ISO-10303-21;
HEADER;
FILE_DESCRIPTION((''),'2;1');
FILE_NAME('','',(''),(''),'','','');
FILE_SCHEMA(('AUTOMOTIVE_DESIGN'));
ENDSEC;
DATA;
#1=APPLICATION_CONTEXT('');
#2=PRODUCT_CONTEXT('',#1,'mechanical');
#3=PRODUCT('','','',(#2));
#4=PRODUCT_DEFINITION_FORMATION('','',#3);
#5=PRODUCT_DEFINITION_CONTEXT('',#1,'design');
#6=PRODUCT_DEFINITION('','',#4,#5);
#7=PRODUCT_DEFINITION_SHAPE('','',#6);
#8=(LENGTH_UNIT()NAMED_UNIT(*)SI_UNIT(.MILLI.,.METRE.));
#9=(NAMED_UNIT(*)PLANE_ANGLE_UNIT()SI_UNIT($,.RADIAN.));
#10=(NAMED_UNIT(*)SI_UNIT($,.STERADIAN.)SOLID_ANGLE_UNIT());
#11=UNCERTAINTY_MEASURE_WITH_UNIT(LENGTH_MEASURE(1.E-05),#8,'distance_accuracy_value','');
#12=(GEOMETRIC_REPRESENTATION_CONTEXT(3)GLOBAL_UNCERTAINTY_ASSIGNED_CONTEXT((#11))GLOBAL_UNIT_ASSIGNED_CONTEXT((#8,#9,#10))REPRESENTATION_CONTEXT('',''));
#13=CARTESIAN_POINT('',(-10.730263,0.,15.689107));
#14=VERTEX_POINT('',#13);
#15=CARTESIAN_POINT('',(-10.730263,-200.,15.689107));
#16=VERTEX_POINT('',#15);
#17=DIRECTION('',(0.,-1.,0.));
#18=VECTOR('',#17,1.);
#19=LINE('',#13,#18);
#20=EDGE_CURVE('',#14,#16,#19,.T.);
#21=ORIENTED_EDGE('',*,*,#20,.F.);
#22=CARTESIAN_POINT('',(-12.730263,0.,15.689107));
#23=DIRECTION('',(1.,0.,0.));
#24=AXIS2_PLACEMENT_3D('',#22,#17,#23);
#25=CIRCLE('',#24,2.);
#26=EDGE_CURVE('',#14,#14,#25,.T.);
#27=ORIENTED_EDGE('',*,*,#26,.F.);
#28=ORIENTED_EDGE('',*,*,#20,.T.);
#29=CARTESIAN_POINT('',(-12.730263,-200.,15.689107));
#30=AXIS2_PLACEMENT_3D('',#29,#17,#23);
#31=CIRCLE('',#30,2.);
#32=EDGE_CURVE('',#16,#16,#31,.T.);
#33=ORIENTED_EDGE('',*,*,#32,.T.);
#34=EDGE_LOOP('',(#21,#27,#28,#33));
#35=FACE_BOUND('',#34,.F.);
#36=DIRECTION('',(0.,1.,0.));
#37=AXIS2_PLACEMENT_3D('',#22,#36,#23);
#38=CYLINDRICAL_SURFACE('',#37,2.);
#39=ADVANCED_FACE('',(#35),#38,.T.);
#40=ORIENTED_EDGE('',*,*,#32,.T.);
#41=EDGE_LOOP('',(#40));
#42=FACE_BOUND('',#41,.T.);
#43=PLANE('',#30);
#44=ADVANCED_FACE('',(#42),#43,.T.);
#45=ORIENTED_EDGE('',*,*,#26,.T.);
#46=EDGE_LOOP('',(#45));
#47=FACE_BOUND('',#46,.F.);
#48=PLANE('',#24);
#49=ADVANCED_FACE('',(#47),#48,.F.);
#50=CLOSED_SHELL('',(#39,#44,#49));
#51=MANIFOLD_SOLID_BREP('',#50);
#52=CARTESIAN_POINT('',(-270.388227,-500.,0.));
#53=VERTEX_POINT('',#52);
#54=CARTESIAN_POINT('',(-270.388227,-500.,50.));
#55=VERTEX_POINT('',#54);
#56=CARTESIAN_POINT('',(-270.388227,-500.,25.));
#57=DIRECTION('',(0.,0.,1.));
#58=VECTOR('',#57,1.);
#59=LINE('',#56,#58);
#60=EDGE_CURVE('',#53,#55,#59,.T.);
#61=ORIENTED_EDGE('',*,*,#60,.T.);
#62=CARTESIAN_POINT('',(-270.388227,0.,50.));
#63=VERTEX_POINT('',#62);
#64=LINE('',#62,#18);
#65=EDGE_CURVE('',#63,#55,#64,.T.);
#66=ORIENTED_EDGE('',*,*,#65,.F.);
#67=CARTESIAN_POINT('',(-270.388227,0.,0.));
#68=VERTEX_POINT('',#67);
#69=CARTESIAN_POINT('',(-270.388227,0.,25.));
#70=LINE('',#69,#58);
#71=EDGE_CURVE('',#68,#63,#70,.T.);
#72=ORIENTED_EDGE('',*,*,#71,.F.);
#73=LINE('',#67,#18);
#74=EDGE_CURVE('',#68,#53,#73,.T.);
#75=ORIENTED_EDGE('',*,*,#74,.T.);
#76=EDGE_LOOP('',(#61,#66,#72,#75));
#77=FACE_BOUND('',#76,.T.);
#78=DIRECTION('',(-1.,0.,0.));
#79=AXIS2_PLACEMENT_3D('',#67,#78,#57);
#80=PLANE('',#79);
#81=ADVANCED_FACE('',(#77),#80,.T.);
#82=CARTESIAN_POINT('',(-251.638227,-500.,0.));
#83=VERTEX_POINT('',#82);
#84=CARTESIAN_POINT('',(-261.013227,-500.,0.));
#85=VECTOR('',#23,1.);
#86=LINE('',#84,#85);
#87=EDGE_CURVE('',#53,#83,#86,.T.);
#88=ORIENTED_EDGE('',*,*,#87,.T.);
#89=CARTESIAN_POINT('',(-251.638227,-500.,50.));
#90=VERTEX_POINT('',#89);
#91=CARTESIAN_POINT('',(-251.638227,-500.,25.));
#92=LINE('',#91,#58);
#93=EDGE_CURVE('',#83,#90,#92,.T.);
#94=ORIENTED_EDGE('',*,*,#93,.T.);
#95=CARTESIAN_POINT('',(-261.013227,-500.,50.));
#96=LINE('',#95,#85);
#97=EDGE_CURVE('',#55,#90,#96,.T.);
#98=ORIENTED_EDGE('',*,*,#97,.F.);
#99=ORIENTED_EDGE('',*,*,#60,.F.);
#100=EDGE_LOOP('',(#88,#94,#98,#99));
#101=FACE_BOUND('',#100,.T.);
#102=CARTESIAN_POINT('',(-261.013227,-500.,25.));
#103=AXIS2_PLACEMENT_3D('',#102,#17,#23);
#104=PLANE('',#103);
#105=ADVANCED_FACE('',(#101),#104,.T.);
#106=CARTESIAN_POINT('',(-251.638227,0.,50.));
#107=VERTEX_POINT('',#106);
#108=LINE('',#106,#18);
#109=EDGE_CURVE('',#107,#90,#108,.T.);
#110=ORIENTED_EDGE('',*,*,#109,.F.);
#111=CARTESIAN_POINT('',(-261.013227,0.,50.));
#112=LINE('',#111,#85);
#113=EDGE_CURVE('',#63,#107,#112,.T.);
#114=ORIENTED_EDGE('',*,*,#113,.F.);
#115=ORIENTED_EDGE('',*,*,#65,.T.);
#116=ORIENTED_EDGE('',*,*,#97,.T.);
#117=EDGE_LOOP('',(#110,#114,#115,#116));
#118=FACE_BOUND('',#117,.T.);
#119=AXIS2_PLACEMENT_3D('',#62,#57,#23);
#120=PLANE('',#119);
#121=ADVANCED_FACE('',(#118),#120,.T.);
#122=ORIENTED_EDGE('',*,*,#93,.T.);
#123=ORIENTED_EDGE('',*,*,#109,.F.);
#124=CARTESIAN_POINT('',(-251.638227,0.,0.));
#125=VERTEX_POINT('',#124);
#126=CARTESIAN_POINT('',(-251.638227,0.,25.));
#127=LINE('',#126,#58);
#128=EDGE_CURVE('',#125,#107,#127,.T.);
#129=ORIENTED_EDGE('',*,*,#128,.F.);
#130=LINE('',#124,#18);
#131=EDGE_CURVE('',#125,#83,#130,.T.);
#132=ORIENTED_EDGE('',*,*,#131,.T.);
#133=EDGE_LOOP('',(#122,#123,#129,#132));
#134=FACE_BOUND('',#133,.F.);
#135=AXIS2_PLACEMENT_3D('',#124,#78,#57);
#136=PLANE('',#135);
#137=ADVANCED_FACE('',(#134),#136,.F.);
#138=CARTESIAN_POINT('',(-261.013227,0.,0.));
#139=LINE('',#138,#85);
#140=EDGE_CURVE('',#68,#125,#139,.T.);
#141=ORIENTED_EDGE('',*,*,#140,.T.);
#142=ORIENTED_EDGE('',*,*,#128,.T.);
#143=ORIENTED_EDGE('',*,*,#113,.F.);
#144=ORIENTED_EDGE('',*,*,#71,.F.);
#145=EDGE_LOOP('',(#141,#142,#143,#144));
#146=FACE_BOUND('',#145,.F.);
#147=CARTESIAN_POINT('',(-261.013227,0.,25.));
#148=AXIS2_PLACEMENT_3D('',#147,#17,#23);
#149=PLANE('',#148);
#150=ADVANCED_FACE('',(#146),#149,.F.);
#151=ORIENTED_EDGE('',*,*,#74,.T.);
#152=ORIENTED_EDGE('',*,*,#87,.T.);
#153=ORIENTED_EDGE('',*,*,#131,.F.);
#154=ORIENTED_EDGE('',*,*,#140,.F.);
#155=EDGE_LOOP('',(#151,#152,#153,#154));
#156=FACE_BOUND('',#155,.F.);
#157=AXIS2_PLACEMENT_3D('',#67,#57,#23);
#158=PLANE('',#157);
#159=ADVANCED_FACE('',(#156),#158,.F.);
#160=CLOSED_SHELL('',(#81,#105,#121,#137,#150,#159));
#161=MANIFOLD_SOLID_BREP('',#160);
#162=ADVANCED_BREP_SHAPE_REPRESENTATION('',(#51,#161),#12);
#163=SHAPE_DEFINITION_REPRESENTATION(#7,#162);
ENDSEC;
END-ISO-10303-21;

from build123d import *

# Parameters (mm, degrees)
F0_R     = 2
F1_DEPTH = 200
F2_W     = 18.75
F2_H     = 50
F3_DEPTH = 500


with BuildPart() as f1:
    # F0 (on Front) → F1 (new body)
    with BuildSketch(Plane.XZ):
        with Locations((-12.730263, 15.689107)):
            Circle(F0_R)
    extrude(amount=F1_DEPTH)


with BuildPart() as f3:
    # F2 (on Front) → F3 (new body)
    with BuildSketch(Plane.XZ):
        with Locations((-261.013227, 25)):
            Rectangle(F2_W, F2_H)
    extrude(amount=F3_DEPTH)


solid = Compound([f1.part, f3.part])
